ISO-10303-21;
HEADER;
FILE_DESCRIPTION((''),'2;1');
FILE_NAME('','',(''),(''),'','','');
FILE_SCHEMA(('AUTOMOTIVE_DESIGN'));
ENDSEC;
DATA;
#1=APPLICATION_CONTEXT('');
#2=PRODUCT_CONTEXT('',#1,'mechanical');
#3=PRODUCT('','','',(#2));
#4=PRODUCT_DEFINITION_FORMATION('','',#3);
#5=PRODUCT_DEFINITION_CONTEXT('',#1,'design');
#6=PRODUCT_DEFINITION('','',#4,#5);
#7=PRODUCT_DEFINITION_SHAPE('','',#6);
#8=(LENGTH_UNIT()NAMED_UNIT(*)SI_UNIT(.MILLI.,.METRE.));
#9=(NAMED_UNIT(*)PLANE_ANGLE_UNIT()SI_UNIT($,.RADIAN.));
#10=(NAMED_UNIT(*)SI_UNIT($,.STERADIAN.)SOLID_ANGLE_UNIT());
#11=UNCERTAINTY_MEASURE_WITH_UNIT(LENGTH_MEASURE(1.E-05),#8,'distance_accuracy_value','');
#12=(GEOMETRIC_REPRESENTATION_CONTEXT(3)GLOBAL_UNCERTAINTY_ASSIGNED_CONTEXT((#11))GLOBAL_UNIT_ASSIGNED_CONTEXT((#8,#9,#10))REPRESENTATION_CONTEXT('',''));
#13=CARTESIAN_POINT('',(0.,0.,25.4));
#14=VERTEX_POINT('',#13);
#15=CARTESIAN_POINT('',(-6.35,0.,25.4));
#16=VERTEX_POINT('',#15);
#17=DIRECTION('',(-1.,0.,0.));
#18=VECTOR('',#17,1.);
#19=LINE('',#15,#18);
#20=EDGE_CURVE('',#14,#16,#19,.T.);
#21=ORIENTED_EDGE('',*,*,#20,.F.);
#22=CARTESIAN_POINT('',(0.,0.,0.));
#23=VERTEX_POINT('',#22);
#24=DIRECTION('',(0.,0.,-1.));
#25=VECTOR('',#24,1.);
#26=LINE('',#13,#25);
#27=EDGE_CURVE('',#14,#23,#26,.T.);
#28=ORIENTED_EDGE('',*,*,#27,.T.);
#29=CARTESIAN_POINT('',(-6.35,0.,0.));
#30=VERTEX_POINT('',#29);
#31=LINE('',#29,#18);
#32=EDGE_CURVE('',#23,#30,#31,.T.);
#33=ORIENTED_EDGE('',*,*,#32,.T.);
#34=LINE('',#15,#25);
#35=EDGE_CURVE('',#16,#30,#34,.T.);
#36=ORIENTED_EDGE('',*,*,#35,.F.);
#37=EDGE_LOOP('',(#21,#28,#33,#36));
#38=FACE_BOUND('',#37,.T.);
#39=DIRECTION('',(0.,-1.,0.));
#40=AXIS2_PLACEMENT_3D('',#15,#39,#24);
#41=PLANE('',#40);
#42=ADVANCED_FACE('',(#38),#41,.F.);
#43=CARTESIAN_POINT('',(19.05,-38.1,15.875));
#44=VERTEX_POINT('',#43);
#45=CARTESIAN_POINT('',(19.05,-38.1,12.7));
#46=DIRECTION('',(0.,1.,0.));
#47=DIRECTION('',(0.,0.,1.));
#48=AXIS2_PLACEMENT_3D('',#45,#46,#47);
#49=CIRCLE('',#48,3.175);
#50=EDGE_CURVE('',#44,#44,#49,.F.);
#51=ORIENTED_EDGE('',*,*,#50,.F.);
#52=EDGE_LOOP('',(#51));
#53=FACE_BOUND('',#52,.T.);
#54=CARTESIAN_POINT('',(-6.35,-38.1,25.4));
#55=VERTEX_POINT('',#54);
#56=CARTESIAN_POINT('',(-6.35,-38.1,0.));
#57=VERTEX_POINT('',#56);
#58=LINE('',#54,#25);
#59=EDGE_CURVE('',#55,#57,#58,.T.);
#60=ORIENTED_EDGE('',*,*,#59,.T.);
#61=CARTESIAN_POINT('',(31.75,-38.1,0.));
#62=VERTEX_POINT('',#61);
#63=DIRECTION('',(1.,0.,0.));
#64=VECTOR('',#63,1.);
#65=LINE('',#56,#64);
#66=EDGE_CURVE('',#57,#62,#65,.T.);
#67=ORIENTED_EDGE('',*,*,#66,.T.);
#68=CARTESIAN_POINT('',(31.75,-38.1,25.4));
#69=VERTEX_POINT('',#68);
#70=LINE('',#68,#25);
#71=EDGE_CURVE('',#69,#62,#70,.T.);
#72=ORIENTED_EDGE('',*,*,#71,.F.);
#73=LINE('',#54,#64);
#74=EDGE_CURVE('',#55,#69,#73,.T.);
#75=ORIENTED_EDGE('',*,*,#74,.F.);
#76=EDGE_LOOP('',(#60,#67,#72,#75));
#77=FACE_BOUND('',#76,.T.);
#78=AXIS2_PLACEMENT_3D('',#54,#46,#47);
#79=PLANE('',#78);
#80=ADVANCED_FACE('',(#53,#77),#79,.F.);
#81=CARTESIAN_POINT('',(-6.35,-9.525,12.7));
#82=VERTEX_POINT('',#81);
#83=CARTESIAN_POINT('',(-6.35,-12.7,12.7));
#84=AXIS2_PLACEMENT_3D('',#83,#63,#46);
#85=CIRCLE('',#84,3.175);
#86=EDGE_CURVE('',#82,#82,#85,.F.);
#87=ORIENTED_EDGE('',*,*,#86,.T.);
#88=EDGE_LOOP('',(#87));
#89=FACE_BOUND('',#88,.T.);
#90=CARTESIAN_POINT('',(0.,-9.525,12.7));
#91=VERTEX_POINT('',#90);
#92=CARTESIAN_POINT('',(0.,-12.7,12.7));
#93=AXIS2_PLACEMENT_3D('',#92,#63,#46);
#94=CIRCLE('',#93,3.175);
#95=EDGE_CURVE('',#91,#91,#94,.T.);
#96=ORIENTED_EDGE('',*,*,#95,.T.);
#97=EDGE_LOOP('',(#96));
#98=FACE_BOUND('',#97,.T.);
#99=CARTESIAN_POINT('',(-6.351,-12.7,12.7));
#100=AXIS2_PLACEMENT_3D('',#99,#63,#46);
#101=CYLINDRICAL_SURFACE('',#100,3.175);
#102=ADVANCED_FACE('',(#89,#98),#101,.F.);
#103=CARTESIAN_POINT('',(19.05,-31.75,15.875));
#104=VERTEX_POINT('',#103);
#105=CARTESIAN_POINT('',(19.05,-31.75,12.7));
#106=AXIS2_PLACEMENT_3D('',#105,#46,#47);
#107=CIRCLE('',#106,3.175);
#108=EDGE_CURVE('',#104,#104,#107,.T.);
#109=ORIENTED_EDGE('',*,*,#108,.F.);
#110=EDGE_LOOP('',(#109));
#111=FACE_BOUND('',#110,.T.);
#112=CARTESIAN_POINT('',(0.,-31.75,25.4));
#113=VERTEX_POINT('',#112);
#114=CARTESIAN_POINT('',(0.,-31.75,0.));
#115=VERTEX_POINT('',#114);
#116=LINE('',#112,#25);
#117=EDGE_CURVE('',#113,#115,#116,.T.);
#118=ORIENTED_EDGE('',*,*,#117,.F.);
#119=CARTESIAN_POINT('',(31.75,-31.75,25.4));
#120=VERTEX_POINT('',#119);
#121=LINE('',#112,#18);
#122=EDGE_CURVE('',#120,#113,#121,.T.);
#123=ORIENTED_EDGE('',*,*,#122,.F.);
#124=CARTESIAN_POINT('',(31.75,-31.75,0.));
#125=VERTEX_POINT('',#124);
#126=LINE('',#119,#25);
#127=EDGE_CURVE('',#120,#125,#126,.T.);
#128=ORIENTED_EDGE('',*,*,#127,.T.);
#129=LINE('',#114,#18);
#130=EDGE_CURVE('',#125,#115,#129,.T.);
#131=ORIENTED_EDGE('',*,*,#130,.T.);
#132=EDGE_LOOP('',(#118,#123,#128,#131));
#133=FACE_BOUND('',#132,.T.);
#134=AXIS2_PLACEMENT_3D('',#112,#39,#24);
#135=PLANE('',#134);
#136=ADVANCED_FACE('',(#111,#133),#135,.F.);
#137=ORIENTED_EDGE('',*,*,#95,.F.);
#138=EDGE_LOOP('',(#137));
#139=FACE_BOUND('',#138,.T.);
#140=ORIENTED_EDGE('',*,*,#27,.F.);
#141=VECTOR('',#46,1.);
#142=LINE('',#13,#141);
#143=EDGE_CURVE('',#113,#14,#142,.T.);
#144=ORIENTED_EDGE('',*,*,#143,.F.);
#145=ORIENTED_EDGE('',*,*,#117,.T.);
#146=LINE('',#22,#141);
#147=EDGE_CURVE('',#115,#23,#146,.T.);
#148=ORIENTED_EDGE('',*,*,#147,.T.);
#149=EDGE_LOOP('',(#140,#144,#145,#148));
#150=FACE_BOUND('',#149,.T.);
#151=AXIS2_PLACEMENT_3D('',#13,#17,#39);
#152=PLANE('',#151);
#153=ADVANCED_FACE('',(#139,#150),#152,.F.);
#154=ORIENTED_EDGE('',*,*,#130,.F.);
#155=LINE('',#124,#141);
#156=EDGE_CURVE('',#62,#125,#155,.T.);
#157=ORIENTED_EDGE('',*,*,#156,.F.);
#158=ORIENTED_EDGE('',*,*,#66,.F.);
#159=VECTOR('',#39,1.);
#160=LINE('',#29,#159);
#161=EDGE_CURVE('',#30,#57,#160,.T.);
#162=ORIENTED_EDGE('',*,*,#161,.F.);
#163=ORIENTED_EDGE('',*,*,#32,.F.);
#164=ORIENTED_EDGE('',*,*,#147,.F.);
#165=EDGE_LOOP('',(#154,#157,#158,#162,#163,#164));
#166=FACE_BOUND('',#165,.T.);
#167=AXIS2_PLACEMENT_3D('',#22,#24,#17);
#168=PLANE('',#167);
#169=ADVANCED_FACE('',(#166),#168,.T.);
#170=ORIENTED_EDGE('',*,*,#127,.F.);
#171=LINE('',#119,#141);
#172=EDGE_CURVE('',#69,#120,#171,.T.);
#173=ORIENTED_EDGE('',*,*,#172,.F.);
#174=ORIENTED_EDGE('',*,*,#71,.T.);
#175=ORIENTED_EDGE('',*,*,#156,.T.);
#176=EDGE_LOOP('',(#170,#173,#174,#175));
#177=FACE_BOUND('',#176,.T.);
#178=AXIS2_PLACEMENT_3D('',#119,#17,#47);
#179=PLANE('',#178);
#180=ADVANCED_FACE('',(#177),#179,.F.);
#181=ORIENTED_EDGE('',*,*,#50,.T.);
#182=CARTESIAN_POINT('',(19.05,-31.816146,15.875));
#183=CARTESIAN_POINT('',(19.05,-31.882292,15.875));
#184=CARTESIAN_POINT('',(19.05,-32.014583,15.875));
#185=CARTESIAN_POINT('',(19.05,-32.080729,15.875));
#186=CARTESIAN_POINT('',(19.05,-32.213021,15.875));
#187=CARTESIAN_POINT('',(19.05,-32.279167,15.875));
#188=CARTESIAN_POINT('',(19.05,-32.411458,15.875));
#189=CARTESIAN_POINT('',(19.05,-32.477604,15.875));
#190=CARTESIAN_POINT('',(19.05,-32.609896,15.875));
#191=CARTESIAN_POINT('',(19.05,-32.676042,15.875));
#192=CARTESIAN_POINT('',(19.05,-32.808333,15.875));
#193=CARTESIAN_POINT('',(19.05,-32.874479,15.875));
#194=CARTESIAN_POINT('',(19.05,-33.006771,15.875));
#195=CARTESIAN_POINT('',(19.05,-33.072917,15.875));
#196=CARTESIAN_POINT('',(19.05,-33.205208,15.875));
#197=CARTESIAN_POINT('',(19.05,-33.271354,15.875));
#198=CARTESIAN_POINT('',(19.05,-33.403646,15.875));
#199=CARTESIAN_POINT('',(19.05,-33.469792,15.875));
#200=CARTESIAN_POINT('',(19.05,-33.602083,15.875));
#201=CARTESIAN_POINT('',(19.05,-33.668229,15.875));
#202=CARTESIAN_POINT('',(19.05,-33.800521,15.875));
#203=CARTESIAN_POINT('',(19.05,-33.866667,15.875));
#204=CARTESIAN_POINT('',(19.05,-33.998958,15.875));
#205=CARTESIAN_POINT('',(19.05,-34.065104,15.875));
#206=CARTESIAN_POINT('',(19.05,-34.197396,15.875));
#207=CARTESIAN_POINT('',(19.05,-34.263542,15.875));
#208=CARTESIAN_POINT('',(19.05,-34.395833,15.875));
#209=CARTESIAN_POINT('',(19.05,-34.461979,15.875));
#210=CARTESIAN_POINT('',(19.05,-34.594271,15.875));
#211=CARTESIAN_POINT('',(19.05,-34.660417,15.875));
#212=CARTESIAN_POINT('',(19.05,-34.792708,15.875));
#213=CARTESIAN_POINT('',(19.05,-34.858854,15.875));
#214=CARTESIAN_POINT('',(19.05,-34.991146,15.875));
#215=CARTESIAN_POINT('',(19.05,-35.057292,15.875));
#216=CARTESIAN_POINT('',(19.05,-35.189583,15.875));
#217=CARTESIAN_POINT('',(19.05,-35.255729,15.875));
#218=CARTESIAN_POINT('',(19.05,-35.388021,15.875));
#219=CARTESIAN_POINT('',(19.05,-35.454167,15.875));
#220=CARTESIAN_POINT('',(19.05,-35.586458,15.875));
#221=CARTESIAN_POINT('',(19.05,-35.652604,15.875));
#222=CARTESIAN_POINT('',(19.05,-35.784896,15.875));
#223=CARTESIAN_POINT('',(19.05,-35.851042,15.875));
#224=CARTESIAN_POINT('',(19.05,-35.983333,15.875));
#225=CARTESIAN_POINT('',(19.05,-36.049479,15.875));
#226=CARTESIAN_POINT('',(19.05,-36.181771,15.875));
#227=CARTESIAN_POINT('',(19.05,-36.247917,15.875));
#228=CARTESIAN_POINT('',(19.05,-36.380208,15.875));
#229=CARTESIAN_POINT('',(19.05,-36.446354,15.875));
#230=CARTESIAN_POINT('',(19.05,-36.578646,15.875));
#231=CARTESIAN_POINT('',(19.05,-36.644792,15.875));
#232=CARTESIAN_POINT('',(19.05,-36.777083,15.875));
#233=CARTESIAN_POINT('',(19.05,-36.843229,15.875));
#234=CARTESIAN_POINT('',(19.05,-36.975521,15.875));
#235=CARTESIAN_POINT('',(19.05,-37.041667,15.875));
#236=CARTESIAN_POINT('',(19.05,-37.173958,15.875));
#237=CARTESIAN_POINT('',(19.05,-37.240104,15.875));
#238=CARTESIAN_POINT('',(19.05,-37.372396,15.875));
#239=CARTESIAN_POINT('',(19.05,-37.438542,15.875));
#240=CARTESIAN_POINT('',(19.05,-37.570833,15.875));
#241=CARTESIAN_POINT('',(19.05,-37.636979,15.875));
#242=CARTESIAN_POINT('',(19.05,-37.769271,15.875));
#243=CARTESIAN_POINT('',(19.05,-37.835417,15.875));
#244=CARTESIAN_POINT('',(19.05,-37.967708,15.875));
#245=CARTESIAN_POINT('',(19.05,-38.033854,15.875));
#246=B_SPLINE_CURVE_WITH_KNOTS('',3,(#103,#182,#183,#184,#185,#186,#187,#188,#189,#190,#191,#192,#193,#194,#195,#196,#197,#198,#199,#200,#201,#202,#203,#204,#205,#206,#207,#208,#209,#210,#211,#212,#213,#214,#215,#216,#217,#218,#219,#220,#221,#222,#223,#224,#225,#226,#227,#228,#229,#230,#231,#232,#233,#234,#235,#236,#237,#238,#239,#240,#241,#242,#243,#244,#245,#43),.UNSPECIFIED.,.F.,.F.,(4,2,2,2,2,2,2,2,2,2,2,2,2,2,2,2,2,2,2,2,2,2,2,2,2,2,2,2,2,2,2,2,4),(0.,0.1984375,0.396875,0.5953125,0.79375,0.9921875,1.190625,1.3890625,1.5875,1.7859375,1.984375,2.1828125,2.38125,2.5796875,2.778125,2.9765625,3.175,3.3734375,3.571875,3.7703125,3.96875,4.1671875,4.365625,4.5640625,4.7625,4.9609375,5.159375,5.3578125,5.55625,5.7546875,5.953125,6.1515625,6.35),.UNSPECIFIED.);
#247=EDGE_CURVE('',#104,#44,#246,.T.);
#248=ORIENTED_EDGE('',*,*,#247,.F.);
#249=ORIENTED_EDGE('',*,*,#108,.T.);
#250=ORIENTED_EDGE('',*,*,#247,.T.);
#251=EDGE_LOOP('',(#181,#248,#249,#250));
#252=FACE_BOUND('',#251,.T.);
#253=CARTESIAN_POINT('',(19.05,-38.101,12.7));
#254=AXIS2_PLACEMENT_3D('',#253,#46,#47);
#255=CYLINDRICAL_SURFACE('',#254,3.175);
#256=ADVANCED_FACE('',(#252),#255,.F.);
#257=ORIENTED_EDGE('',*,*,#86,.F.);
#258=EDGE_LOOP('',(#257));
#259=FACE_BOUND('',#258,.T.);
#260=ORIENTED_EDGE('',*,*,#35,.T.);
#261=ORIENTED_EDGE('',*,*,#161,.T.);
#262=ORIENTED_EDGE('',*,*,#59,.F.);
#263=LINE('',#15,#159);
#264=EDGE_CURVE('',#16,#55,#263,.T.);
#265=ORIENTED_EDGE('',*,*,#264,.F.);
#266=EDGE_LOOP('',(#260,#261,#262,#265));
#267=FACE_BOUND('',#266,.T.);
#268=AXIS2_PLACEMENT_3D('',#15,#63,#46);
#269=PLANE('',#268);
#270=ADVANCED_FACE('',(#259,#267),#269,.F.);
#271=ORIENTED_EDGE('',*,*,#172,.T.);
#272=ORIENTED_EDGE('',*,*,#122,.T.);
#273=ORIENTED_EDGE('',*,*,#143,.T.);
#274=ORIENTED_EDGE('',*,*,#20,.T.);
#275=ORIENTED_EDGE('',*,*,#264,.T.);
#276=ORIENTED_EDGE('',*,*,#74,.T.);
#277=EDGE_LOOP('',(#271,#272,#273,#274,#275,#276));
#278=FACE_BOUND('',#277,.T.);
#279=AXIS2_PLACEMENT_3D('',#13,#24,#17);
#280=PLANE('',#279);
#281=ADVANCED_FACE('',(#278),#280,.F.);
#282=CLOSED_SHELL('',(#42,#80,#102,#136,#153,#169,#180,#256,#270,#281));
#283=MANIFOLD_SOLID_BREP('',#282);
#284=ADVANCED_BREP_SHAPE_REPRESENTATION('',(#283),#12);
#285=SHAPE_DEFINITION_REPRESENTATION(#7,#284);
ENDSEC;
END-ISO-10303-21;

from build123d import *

# Parameters (mm, degrees)
BOSS_EXTRUDE1_DEPTH = 25.4
CUT_EXTRUDE1_REACH  = 57.721
SKETCH2_R           = 3.175
CUT_EXTRUDE2_REACH  = 53.588
SKETCH3_R           = 3.175


with BuildPart() as part:
    # Sketch1 → Boss-Extrude1 (new body)
    with BuildSketch(Plane.XY):
        Polygon((0, 0), (0, -31.75), (31.75, -31.75), (31.75, -38.1), (-6.35, -38.1), (-6.35, 0), align=None)
    extrude(amount=BOSS_EXTRUDE1_DEPTH)

    # Sketch2 → Cut-Extrude1 (cut, up to next)
    with BuildSketch(Plane(origin=(0, 0, 0), x_dir=(0, 0, -1), z_dir=(1, 0, 0)), mode=Mode.PRIVATE) as cut_extrude1_sk1:
        with Locations(Location((-12.7, -12.7, 0), (0, 0, 90))):
            Circle(SKETCH2_R)
    cut_extrude1_tool1 = extrude(cut_extrude1_sk1.sketch, amount=-CUT_EXTRUDE1_REACH, mode=Mode.PRIVATE) & part.part
    add(cut_extrude1_tool1.solids().sort_by_distance((0, -12.7, 12.7))[0], mode=Mode.SUBTRACT)

    # Sketch3 → Cut-Extrude2 (cut, up to next)
    with BuildSketch(Plane(origin=(0, -31.75, 0), x_dir=(1, 0, 0), z_dir=(0, 1, 0)), mode=Mode.PRIVATE) as cut_extrude2_sk1:
        with Locations(Location((19.05, -12.7, 0), (0, 0, 270))):
            Circle(SKETCH3_R)
    cut_extrude2_tool1 = extrude(cut_extrude2_sk1.sketch, amount=-CUT_EXTRUDE2_REACH, mode=Mode.PRIVATE) & part.part
    add(cut_extrude2_tool1.solids().sort_by_distance((19.05, -31.75, 12.7))[0], mode=Mode.SUBTRACT)


solid = part.part
